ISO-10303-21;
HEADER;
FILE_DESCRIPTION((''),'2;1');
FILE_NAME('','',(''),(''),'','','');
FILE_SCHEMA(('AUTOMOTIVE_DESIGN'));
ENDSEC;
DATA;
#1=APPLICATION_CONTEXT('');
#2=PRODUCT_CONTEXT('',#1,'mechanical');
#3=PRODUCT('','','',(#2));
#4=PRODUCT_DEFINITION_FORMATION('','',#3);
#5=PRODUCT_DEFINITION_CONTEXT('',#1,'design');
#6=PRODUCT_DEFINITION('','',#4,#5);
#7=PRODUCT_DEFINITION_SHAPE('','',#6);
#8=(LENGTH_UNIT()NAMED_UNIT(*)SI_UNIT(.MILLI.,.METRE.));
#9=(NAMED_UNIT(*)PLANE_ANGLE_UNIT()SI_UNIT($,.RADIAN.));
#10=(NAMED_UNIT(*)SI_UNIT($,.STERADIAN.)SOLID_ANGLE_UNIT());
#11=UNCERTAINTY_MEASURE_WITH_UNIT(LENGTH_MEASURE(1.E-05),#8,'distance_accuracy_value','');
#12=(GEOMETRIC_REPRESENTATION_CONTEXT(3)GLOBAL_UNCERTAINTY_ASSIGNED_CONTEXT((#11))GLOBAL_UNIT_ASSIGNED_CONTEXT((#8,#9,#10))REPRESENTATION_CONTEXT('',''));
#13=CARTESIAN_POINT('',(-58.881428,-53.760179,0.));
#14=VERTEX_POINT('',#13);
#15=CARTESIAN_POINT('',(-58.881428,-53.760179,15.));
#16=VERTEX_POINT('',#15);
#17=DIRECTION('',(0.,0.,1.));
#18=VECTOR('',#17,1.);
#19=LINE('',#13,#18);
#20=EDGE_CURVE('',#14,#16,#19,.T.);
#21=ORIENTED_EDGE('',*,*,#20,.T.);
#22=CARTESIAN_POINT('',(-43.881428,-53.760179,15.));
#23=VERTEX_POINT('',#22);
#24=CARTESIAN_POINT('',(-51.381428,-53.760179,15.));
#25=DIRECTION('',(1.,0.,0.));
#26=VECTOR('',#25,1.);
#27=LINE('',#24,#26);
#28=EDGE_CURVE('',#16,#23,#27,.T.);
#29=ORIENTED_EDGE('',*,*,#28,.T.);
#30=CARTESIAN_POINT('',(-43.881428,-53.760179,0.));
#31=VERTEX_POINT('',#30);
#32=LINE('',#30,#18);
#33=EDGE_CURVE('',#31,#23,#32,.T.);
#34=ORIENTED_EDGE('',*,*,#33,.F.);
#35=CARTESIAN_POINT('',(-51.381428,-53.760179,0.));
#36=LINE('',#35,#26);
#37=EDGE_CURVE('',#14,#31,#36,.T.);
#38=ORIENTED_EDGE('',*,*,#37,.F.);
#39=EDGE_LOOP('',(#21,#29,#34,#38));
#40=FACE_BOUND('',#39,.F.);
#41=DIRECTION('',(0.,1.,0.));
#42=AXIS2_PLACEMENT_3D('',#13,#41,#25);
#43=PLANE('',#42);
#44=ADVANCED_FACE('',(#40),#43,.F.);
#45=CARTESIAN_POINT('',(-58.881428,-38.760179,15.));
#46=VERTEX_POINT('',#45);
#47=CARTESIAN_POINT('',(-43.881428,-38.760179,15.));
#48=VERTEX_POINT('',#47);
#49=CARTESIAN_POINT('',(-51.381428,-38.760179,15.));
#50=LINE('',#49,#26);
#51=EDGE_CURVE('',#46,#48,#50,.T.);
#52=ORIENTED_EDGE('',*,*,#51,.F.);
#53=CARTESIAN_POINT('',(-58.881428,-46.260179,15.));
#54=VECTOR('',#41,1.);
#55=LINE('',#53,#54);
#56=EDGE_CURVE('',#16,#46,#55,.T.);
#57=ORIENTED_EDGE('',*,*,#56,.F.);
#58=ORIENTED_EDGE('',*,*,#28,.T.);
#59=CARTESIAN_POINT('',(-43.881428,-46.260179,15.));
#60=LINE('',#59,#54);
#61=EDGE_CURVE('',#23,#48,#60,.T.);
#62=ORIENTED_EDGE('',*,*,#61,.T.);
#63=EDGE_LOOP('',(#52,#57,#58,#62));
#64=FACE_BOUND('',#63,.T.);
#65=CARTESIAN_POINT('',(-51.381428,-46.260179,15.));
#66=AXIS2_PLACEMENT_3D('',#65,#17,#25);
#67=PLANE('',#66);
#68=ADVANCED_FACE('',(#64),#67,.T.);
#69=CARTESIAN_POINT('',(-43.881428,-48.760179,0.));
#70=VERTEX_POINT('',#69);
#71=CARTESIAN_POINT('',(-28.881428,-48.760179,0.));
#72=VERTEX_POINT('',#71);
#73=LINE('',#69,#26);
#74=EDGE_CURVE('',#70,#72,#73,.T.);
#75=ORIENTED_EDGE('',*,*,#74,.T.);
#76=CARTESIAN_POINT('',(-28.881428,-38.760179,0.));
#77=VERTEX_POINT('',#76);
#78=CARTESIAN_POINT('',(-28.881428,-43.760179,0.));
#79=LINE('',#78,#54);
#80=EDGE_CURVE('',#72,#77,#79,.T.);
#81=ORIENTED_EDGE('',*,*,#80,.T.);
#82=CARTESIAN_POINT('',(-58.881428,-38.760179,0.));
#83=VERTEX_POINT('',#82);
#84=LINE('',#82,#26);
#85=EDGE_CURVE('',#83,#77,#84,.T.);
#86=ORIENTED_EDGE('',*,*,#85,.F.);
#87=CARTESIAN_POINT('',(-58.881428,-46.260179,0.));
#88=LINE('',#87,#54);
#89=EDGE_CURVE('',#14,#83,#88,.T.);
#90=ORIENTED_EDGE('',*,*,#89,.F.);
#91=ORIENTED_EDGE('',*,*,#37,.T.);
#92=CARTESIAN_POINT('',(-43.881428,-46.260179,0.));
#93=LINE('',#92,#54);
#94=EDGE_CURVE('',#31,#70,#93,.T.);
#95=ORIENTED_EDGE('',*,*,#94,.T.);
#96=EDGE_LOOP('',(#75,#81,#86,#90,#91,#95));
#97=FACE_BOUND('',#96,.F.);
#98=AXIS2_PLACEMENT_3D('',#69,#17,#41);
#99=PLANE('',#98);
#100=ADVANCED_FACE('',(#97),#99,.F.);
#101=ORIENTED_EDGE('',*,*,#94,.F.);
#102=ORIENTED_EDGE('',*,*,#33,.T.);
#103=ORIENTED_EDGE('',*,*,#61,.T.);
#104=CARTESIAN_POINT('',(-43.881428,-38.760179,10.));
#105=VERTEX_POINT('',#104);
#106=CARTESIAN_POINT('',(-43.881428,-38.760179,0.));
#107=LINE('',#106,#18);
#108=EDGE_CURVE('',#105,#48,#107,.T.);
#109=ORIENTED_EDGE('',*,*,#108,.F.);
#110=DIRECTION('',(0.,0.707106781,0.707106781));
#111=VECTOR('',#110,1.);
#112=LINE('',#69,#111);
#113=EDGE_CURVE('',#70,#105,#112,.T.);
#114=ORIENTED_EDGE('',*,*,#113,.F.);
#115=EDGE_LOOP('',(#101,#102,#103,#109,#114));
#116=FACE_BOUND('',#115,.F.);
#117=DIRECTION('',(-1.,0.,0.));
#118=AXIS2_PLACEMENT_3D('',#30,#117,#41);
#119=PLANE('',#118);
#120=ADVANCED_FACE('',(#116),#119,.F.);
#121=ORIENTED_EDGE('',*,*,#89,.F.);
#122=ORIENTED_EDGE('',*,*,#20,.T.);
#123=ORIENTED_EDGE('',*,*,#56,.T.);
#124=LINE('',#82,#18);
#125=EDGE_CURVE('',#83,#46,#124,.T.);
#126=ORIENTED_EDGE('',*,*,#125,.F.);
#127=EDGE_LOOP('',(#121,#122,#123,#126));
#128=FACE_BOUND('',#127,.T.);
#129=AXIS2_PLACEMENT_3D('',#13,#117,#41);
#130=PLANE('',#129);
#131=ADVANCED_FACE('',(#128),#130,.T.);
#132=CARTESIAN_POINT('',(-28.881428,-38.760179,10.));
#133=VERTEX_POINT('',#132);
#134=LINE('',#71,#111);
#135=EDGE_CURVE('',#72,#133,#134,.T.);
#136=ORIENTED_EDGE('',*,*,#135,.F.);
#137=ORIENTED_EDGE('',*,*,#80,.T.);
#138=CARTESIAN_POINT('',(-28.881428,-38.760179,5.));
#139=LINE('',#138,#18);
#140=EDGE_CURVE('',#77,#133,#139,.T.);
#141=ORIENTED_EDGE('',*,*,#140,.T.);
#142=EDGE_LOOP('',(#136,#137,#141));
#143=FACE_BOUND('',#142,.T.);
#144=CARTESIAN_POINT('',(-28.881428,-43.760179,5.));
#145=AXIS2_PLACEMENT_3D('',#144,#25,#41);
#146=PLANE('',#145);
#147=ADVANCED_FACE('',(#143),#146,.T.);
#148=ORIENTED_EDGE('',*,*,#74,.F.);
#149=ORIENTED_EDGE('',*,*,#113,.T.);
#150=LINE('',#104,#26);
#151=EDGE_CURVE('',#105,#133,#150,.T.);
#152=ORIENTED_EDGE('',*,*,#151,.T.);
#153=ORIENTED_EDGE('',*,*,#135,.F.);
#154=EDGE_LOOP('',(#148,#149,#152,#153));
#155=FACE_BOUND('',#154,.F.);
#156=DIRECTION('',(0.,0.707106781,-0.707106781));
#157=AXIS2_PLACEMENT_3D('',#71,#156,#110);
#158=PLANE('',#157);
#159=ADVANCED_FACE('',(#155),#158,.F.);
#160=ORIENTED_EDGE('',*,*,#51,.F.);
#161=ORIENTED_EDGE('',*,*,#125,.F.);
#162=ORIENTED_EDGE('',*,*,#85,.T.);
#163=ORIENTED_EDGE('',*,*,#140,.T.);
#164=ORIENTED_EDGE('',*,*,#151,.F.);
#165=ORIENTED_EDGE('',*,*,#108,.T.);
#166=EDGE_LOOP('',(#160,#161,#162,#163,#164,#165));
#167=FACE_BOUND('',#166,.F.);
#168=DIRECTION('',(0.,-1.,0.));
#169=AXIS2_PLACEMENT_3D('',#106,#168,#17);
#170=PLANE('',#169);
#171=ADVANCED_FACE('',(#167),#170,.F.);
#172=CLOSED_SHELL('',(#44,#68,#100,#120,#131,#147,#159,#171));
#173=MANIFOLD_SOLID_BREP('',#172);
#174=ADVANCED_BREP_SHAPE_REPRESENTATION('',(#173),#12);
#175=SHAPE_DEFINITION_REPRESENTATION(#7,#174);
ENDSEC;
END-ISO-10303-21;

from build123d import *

# Parameters (mm, degrees)
F0_W     = 15
F0_H     = 15
F1_DEPTH = 15
F2_W     = 10
F2_H     = 10
F3_DEPTH = 15
F5_DEPTH = 15


with BuildPart() as f1:
    # F0 (on Top) → F1 (new body)
    with BuildSketch(Plane.XY):
        with Locations((-51.381428, -46.260179)):
            Rectangle(F0_W, F0_H)
    extrude(amount=F1_DEPTH)

    # F2 (on face) → F3 (join)
    with BuildSketch(Plane.YZ.offset(-43.881428)):
        with Locations((-43.760179, 5)):
            Rectangle(F2_W, F2_H)
    extrude(amount=F3_DEPTH)

    # F4 (on face) → F5 (cut)
    with BuildSketch(Plane.YZ.offset(-28.881428)):
        Polygon((-48.760179, 0), (-38.760179, 10), (-48.760179, 10), align=None)
    extrude(amount=-F5_DEPTH, mode=Mode.SUBTRACT)


solid = f1.part
